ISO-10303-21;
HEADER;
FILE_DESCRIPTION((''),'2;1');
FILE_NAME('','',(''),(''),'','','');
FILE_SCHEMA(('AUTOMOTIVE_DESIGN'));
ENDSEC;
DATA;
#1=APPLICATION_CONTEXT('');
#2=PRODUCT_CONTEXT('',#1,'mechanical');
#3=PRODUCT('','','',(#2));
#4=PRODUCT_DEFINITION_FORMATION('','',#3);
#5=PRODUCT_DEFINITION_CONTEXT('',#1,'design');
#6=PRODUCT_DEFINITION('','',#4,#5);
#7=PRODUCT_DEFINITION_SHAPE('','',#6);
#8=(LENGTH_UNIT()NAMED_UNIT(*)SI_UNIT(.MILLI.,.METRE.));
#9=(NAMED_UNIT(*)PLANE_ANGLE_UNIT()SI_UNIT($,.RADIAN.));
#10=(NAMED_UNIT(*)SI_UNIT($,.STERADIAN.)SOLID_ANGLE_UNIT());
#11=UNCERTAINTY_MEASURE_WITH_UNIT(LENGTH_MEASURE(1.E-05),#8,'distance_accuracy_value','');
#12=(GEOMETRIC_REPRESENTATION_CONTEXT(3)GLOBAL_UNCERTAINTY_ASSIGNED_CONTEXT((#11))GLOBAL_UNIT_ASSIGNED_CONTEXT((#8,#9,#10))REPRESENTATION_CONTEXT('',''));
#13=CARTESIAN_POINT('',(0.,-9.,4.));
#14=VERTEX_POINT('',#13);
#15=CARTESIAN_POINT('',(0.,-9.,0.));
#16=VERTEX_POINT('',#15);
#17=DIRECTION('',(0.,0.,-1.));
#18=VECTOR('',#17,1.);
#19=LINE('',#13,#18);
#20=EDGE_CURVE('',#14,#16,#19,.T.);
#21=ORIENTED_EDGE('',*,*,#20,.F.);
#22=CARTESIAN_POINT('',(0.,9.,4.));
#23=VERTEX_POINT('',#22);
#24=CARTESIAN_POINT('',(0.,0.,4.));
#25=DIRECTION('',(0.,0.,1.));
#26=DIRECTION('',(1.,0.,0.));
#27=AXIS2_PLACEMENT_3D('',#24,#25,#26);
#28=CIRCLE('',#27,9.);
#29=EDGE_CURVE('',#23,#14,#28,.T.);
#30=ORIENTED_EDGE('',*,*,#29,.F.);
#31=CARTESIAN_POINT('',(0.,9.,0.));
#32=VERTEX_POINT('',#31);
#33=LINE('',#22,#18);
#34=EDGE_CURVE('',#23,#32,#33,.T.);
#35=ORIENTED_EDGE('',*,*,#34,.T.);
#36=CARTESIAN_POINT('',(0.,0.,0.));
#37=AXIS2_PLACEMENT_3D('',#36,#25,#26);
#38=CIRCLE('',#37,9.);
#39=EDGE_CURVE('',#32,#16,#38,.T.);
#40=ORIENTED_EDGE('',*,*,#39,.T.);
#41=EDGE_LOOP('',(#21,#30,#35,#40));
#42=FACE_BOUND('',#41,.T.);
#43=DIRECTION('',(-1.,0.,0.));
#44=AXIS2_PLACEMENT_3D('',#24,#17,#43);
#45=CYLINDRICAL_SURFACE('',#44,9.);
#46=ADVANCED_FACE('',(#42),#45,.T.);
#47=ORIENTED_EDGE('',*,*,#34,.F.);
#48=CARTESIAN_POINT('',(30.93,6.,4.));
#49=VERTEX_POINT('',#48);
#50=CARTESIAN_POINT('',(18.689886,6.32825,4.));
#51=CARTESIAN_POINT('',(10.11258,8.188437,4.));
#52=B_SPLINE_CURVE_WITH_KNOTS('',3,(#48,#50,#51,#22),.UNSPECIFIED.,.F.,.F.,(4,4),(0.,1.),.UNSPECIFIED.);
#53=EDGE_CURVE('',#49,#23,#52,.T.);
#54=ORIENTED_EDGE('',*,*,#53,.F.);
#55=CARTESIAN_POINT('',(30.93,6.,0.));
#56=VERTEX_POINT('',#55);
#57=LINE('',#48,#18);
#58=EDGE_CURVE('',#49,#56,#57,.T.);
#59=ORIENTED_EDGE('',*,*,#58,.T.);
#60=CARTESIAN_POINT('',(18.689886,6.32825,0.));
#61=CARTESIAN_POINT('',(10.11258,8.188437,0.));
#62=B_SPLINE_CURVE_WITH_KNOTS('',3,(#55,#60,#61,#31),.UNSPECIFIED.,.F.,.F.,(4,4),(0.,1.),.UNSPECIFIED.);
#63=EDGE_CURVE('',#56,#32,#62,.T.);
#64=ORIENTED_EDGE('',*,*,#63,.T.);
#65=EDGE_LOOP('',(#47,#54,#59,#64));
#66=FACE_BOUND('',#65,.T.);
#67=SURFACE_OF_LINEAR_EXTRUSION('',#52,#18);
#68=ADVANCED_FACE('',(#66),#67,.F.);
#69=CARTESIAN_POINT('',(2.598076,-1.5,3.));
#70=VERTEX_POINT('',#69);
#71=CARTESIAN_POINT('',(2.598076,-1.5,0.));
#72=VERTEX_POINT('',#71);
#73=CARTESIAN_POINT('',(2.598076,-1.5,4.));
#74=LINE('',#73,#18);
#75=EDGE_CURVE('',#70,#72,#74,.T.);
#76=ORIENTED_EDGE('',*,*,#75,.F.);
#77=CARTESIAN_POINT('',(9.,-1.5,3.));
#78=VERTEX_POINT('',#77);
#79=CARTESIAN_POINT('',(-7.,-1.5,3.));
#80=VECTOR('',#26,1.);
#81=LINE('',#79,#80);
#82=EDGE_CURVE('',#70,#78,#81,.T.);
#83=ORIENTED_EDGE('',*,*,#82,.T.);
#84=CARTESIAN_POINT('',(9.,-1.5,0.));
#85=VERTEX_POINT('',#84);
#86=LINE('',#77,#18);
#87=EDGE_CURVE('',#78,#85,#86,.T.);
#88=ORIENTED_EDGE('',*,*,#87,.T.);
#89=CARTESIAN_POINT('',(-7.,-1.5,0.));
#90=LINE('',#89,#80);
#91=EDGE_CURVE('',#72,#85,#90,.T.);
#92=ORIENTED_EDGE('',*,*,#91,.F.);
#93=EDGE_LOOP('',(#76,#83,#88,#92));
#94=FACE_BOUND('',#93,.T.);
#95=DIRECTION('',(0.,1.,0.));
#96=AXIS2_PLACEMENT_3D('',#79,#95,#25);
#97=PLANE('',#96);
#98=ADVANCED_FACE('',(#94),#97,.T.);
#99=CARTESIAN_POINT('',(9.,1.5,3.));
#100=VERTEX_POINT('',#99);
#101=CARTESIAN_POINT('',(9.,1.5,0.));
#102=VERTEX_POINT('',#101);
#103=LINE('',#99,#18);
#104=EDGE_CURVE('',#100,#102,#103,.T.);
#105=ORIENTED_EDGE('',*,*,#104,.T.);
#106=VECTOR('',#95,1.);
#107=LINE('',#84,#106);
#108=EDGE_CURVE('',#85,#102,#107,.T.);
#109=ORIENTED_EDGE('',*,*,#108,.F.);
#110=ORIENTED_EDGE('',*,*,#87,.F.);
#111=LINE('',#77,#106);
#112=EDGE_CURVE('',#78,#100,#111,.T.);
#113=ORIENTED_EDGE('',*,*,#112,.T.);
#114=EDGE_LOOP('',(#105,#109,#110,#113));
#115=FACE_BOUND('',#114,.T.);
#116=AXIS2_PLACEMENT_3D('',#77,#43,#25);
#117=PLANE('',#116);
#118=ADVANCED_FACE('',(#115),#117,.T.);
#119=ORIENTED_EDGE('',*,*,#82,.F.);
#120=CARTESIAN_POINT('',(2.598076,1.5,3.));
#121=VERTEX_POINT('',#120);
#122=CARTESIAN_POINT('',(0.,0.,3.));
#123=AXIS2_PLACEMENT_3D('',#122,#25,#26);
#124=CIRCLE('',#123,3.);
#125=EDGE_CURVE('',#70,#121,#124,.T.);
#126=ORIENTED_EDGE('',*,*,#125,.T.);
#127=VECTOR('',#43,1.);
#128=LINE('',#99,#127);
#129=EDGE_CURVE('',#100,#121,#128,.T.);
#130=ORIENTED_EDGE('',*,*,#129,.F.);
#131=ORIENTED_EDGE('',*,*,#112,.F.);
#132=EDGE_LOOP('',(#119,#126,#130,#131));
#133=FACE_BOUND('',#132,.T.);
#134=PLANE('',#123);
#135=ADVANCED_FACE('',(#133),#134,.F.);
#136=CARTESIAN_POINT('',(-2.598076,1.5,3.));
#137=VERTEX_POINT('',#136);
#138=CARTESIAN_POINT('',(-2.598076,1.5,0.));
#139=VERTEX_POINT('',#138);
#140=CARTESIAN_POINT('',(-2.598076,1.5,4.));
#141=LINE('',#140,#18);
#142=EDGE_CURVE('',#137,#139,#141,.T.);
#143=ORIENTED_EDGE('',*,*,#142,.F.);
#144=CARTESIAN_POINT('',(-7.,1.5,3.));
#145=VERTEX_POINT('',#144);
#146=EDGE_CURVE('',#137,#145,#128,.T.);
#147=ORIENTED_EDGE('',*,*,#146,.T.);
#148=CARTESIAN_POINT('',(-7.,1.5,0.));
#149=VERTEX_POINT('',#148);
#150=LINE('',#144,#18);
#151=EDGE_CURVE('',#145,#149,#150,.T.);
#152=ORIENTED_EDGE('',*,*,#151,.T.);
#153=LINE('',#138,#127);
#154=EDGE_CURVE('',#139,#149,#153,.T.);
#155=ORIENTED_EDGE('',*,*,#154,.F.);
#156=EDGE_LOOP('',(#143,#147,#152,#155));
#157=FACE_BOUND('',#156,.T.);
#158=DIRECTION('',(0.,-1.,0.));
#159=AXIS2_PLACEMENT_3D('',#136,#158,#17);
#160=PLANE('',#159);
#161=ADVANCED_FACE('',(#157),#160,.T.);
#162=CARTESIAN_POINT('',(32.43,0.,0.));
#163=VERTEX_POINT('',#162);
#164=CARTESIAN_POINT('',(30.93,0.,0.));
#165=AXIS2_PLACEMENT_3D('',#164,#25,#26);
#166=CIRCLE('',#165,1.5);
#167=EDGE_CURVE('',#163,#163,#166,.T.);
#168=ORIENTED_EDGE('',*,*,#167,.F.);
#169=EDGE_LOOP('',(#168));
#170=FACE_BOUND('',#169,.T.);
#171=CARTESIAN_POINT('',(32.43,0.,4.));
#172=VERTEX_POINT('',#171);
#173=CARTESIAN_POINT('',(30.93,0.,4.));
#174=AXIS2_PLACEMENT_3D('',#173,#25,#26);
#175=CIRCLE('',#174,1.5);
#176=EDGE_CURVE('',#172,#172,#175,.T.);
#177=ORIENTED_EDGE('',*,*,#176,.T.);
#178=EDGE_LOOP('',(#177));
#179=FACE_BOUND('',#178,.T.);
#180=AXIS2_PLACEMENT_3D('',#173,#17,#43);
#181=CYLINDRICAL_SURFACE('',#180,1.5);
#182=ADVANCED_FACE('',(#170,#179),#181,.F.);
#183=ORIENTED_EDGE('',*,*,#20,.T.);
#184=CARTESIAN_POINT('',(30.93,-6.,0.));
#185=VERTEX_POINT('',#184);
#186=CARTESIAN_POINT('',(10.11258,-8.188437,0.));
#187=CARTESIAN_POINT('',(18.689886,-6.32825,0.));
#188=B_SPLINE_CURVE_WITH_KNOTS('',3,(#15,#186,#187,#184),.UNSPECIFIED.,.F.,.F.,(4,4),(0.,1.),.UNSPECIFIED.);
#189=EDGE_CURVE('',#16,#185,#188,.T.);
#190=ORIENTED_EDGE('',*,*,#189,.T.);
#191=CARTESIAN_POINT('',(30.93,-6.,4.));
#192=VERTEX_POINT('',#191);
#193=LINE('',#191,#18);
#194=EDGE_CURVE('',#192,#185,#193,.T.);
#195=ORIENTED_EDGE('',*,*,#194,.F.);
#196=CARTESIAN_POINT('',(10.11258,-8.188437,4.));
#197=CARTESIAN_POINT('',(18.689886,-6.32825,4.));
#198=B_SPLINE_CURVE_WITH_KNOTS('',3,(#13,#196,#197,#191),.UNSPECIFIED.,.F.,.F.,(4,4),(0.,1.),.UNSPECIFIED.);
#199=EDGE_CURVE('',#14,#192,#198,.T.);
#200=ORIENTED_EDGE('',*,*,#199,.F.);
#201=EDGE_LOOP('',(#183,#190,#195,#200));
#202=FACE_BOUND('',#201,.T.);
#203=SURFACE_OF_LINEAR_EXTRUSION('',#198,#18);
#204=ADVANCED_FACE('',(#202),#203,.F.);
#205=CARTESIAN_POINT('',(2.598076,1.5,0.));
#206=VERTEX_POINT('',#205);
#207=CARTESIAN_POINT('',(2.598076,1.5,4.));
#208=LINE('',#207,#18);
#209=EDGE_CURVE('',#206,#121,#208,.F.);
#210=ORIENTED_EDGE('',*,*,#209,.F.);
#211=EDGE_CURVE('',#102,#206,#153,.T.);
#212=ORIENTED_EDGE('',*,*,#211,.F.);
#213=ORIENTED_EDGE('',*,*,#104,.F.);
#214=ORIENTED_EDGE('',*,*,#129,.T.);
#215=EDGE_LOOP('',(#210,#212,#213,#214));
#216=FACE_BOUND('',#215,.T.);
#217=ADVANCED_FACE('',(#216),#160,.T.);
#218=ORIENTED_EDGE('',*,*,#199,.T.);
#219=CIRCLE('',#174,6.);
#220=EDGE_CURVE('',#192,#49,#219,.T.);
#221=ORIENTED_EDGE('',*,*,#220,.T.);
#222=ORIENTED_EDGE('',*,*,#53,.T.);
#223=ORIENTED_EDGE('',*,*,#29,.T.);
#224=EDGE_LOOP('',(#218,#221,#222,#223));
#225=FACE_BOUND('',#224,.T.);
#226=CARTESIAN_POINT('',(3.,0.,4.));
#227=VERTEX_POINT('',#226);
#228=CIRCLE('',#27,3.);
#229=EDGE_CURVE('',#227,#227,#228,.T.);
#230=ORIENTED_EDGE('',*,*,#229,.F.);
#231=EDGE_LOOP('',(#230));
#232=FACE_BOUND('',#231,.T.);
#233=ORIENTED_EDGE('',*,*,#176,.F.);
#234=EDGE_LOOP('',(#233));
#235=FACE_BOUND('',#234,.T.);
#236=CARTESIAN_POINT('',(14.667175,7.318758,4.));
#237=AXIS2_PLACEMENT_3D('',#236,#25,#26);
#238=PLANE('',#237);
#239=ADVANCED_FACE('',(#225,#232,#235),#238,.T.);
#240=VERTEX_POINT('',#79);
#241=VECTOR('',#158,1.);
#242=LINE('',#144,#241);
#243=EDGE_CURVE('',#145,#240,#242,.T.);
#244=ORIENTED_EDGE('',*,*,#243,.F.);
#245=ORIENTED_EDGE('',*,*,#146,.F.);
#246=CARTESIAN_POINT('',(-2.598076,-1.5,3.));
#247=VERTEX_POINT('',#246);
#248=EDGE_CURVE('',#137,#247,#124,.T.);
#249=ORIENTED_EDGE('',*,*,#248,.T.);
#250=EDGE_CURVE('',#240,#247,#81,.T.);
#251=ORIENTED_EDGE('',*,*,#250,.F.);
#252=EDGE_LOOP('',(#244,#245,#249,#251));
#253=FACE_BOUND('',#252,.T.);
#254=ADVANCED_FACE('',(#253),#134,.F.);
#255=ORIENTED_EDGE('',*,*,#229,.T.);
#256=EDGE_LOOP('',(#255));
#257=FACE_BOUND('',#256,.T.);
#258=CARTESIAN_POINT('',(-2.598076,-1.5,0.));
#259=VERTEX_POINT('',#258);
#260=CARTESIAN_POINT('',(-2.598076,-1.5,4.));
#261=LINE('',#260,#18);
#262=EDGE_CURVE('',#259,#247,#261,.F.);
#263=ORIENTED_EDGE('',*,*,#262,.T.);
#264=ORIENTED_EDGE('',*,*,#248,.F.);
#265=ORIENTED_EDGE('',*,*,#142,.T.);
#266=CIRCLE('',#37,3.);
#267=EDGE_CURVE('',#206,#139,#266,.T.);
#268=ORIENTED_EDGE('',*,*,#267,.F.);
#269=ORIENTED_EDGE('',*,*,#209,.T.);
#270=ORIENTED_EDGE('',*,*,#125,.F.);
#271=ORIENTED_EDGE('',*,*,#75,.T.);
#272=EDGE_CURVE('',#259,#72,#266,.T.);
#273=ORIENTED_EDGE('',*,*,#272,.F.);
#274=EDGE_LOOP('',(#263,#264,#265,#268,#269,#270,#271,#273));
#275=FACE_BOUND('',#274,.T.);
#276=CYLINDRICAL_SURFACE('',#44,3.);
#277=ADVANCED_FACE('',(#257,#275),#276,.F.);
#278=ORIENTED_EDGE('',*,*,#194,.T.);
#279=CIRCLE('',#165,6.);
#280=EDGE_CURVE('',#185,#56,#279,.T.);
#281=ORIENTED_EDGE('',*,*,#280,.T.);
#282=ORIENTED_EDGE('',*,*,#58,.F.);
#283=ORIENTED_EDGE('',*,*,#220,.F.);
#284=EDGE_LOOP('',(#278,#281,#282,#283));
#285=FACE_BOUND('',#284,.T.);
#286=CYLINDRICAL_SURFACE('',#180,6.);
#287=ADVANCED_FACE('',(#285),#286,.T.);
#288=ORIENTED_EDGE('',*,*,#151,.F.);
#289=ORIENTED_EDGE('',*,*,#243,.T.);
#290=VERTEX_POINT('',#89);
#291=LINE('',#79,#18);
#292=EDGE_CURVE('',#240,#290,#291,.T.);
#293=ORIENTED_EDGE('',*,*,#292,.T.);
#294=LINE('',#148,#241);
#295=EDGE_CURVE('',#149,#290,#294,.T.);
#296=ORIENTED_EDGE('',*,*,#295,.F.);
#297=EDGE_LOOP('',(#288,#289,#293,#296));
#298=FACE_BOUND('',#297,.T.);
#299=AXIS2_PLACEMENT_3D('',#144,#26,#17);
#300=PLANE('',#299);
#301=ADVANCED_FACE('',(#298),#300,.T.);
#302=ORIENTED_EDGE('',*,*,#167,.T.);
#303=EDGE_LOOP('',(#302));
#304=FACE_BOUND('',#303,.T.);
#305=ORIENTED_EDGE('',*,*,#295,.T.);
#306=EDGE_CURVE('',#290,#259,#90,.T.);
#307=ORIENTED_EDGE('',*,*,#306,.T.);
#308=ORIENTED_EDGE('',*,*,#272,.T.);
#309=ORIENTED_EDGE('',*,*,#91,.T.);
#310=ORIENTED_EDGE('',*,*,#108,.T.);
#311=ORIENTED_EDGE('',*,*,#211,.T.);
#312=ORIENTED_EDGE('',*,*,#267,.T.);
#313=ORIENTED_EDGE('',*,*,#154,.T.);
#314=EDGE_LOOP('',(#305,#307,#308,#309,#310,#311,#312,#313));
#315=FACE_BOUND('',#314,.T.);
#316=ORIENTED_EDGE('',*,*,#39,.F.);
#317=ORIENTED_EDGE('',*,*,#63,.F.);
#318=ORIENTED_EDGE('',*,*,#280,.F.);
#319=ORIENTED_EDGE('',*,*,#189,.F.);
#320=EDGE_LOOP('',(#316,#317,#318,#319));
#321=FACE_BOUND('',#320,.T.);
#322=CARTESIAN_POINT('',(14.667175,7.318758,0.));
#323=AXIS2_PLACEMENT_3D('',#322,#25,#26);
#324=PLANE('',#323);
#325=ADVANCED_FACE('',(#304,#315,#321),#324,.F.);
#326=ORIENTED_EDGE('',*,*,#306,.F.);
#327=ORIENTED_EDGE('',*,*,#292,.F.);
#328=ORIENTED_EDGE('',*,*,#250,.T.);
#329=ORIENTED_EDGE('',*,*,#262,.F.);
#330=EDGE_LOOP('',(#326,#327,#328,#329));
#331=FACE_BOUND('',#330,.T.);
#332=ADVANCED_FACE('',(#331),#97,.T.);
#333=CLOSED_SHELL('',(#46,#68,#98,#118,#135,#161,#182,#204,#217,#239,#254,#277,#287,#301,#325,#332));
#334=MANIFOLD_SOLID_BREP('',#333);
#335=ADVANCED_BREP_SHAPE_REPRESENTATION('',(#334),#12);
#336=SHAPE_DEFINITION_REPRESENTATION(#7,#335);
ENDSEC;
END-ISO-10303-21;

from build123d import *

# Parameters (mm, degrees)
SKETCH_1_R          = 3
SKETCH_1_R_2        = 1.5
EXTRUDE_1_DEPTH     = 4
CUT_EXTRUDE_1_DEPTH = 3


with BuildPart() as part:
    # 草图1 → 凸台-拉伸1 (new body)
    with BuildSketch(Plane.XY):
        with BuildLine():
            ThreePointArc((0, 9), (-9, 0), (0, -9))
            add(Edge.make_bspline(
                [(0, -9), (10.112579717, -8.18843742), (18.689885647, -6.328249505), (30.93, -6)],
                knots=[0, 0, 0, 0, 1, 1, 1, 1], degree=3))
            ThreePointArc((30.93, -6), (36.93, 0), (30.93, 6))
            add(Edge.make_bspline(
                [(0, 9), (10.112579717, 8.18843742), (18.689885647, 6.328249505), (30.93, 6)],
                knots=[0, 0, 0, 0, 1, 1, 1, 1], degree=3))
        make_face()
        Circle(SKETCH_1_R, mode=Mode.SUBTRACT)
        with Locations((30.93, 0)):
            Circle(SKETCH_1_R_2, mode=Mode.SUBTRACT)
    extrude(amount=EXTRUDE_1_DEPTH)

    # 草图2 → 切除-拉伸1 (cut)
    with BuildSketch(Plane.XY):
        Polygon((-2.598076211, 1.5), (-7, 1.5), (-7, -1.5), (9, -1.5), (9, 1.5), align=None)
    extrude(amount=CUT_EXTRUDE_1_DEPTH, mode=Mode.SUBTRACT)


solid = part.part
